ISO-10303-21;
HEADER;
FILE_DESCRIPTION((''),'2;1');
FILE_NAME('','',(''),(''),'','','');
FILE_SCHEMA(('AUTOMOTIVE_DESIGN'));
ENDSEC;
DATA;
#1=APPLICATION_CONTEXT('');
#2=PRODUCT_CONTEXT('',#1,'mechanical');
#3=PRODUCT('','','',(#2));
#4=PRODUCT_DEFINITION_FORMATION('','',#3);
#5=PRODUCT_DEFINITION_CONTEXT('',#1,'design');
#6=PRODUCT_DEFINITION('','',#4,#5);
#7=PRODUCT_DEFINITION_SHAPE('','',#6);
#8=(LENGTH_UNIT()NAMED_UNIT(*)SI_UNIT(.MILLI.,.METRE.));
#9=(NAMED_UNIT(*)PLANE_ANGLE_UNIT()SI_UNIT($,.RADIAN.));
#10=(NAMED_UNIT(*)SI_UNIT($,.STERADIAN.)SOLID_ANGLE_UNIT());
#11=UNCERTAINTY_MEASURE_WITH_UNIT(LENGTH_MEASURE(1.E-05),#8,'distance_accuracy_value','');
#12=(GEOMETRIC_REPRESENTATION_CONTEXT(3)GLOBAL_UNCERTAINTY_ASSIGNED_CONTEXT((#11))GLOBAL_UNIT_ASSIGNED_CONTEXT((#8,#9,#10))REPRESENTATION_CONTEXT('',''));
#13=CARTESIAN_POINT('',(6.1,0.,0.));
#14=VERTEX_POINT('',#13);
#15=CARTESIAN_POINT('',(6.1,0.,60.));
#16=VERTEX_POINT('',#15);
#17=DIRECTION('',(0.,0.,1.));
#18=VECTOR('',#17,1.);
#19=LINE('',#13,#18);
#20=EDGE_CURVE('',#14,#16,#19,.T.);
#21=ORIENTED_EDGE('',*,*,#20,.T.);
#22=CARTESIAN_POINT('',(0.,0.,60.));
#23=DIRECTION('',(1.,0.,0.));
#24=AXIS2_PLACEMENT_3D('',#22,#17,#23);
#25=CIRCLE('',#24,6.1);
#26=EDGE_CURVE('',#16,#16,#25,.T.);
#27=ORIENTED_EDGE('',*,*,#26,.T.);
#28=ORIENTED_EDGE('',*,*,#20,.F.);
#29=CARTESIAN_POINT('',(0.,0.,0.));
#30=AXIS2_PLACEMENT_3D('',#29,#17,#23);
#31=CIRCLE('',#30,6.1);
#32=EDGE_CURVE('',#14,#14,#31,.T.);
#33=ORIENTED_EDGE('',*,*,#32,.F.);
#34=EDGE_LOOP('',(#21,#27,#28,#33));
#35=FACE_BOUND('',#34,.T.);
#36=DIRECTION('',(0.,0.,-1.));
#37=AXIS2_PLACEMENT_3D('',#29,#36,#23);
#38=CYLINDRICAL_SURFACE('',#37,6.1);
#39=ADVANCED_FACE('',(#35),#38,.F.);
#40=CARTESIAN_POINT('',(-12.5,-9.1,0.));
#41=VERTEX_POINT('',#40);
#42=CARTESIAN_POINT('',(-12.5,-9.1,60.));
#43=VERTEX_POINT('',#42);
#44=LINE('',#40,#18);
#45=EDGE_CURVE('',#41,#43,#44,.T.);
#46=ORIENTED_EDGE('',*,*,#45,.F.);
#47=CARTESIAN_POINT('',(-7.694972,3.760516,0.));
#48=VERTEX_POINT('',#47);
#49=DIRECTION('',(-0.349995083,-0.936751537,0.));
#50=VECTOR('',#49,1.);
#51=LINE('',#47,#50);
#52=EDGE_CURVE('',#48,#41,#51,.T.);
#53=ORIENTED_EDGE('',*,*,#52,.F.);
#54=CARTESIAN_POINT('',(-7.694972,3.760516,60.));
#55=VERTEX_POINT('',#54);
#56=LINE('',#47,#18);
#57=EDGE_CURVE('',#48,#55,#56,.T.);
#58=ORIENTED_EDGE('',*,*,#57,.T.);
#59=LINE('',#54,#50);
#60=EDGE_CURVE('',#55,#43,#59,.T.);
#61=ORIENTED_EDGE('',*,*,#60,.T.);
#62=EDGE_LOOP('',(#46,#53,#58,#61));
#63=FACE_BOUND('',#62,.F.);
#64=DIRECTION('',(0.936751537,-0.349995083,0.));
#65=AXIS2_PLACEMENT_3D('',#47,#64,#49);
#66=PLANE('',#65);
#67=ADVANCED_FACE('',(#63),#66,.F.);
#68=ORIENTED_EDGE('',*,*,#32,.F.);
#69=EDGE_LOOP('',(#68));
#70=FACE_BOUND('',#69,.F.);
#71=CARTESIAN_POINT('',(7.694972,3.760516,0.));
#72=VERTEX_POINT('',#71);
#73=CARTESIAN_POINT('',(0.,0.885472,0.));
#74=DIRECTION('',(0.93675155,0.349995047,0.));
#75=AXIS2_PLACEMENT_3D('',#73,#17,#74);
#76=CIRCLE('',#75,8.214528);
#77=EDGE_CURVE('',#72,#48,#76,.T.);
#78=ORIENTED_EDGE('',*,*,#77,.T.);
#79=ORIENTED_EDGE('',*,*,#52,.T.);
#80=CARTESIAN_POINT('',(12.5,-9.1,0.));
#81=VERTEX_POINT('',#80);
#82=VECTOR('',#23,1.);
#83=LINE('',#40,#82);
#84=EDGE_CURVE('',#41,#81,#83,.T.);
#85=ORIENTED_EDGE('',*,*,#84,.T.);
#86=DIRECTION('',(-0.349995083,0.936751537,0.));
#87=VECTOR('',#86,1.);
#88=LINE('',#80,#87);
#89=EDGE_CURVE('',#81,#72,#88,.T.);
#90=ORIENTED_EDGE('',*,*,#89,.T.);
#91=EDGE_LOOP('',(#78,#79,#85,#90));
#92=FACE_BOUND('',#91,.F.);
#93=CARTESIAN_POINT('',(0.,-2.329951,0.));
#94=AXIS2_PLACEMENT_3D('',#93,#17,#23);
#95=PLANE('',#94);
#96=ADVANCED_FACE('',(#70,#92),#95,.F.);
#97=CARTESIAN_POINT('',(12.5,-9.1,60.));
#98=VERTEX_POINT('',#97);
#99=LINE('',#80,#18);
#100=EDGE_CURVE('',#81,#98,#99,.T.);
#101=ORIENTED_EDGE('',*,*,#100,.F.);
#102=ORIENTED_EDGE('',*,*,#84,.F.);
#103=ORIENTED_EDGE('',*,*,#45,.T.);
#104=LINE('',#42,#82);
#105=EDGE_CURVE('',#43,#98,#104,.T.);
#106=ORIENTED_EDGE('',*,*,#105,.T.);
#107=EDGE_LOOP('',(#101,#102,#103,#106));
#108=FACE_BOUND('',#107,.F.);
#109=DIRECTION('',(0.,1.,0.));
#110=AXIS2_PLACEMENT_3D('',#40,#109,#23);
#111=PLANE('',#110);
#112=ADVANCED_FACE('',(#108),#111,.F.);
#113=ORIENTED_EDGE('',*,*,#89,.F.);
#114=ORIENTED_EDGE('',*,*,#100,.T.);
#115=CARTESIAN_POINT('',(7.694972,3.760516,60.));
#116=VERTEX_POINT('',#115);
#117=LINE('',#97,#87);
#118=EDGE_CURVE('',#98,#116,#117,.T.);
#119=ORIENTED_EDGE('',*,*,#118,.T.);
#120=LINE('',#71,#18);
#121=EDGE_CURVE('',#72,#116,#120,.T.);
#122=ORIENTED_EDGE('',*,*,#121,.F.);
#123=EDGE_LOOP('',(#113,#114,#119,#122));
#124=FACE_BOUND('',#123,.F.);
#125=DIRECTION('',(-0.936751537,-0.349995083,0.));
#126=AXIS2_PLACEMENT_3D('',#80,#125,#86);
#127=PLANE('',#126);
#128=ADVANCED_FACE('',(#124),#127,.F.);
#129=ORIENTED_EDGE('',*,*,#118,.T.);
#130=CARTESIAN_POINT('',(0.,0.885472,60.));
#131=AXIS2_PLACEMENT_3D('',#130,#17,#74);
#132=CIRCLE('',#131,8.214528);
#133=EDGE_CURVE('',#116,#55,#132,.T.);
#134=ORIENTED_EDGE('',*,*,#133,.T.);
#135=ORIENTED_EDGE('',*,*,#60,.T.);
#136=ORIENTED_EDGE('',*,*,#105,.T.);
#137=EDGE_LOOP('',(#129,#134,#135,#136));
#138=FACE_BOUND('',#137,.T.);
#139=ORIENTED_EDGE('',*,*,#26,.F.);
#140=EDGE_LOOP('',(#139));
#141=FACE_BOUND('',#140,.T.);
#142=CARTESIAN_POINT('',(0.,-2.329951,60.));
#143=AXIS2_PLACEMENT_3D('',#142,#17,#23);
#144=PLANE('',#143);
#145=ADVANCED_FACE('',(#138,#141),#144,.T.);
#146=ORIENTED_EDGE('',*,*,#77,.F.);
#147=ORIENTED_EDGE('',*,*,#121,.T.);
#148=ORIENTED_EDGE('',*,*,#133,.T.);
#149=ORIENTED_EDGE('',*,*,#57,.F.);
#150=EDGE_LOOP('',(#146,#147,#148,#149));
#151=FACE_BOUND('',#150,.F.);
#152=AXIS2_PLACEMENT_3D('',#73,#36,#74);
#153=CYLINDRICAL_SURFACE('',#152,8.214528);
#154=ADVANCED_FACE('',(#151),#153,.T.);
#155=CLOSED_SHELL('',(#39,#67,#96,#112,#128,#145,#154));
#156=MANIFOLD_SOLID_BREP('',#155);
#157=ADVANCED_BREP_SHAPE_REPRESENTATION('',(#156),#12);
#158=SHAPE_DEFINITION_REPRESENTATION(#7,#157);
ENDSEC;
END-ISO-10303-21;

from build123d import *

# Parameters (mm, degrees)
SKETCH_R  = 6.1
PAD_DEPTH = 60


with BuildPart() as part:
    # Sketch → Pad (new body)
    with BuildSketch(Plane.XY):
        with BuildLine():
            Line((-7.694972, 3.760516), (-12.5, -9.1))
            Line((-12.5, -9.1), (12.5, -9.1))
            Line((12.5, -9.1), (7.694972, 3.760516))
            ThreePointArc((7.694972, 3.760516), (0, 9.1), (-7.694972, 3.760516))
        make_face()
        Circle(SKETCH_R, mode=Mode.SUBTRACT)
    extrude(amount=PAD_DEPTH)


solid = part.part
